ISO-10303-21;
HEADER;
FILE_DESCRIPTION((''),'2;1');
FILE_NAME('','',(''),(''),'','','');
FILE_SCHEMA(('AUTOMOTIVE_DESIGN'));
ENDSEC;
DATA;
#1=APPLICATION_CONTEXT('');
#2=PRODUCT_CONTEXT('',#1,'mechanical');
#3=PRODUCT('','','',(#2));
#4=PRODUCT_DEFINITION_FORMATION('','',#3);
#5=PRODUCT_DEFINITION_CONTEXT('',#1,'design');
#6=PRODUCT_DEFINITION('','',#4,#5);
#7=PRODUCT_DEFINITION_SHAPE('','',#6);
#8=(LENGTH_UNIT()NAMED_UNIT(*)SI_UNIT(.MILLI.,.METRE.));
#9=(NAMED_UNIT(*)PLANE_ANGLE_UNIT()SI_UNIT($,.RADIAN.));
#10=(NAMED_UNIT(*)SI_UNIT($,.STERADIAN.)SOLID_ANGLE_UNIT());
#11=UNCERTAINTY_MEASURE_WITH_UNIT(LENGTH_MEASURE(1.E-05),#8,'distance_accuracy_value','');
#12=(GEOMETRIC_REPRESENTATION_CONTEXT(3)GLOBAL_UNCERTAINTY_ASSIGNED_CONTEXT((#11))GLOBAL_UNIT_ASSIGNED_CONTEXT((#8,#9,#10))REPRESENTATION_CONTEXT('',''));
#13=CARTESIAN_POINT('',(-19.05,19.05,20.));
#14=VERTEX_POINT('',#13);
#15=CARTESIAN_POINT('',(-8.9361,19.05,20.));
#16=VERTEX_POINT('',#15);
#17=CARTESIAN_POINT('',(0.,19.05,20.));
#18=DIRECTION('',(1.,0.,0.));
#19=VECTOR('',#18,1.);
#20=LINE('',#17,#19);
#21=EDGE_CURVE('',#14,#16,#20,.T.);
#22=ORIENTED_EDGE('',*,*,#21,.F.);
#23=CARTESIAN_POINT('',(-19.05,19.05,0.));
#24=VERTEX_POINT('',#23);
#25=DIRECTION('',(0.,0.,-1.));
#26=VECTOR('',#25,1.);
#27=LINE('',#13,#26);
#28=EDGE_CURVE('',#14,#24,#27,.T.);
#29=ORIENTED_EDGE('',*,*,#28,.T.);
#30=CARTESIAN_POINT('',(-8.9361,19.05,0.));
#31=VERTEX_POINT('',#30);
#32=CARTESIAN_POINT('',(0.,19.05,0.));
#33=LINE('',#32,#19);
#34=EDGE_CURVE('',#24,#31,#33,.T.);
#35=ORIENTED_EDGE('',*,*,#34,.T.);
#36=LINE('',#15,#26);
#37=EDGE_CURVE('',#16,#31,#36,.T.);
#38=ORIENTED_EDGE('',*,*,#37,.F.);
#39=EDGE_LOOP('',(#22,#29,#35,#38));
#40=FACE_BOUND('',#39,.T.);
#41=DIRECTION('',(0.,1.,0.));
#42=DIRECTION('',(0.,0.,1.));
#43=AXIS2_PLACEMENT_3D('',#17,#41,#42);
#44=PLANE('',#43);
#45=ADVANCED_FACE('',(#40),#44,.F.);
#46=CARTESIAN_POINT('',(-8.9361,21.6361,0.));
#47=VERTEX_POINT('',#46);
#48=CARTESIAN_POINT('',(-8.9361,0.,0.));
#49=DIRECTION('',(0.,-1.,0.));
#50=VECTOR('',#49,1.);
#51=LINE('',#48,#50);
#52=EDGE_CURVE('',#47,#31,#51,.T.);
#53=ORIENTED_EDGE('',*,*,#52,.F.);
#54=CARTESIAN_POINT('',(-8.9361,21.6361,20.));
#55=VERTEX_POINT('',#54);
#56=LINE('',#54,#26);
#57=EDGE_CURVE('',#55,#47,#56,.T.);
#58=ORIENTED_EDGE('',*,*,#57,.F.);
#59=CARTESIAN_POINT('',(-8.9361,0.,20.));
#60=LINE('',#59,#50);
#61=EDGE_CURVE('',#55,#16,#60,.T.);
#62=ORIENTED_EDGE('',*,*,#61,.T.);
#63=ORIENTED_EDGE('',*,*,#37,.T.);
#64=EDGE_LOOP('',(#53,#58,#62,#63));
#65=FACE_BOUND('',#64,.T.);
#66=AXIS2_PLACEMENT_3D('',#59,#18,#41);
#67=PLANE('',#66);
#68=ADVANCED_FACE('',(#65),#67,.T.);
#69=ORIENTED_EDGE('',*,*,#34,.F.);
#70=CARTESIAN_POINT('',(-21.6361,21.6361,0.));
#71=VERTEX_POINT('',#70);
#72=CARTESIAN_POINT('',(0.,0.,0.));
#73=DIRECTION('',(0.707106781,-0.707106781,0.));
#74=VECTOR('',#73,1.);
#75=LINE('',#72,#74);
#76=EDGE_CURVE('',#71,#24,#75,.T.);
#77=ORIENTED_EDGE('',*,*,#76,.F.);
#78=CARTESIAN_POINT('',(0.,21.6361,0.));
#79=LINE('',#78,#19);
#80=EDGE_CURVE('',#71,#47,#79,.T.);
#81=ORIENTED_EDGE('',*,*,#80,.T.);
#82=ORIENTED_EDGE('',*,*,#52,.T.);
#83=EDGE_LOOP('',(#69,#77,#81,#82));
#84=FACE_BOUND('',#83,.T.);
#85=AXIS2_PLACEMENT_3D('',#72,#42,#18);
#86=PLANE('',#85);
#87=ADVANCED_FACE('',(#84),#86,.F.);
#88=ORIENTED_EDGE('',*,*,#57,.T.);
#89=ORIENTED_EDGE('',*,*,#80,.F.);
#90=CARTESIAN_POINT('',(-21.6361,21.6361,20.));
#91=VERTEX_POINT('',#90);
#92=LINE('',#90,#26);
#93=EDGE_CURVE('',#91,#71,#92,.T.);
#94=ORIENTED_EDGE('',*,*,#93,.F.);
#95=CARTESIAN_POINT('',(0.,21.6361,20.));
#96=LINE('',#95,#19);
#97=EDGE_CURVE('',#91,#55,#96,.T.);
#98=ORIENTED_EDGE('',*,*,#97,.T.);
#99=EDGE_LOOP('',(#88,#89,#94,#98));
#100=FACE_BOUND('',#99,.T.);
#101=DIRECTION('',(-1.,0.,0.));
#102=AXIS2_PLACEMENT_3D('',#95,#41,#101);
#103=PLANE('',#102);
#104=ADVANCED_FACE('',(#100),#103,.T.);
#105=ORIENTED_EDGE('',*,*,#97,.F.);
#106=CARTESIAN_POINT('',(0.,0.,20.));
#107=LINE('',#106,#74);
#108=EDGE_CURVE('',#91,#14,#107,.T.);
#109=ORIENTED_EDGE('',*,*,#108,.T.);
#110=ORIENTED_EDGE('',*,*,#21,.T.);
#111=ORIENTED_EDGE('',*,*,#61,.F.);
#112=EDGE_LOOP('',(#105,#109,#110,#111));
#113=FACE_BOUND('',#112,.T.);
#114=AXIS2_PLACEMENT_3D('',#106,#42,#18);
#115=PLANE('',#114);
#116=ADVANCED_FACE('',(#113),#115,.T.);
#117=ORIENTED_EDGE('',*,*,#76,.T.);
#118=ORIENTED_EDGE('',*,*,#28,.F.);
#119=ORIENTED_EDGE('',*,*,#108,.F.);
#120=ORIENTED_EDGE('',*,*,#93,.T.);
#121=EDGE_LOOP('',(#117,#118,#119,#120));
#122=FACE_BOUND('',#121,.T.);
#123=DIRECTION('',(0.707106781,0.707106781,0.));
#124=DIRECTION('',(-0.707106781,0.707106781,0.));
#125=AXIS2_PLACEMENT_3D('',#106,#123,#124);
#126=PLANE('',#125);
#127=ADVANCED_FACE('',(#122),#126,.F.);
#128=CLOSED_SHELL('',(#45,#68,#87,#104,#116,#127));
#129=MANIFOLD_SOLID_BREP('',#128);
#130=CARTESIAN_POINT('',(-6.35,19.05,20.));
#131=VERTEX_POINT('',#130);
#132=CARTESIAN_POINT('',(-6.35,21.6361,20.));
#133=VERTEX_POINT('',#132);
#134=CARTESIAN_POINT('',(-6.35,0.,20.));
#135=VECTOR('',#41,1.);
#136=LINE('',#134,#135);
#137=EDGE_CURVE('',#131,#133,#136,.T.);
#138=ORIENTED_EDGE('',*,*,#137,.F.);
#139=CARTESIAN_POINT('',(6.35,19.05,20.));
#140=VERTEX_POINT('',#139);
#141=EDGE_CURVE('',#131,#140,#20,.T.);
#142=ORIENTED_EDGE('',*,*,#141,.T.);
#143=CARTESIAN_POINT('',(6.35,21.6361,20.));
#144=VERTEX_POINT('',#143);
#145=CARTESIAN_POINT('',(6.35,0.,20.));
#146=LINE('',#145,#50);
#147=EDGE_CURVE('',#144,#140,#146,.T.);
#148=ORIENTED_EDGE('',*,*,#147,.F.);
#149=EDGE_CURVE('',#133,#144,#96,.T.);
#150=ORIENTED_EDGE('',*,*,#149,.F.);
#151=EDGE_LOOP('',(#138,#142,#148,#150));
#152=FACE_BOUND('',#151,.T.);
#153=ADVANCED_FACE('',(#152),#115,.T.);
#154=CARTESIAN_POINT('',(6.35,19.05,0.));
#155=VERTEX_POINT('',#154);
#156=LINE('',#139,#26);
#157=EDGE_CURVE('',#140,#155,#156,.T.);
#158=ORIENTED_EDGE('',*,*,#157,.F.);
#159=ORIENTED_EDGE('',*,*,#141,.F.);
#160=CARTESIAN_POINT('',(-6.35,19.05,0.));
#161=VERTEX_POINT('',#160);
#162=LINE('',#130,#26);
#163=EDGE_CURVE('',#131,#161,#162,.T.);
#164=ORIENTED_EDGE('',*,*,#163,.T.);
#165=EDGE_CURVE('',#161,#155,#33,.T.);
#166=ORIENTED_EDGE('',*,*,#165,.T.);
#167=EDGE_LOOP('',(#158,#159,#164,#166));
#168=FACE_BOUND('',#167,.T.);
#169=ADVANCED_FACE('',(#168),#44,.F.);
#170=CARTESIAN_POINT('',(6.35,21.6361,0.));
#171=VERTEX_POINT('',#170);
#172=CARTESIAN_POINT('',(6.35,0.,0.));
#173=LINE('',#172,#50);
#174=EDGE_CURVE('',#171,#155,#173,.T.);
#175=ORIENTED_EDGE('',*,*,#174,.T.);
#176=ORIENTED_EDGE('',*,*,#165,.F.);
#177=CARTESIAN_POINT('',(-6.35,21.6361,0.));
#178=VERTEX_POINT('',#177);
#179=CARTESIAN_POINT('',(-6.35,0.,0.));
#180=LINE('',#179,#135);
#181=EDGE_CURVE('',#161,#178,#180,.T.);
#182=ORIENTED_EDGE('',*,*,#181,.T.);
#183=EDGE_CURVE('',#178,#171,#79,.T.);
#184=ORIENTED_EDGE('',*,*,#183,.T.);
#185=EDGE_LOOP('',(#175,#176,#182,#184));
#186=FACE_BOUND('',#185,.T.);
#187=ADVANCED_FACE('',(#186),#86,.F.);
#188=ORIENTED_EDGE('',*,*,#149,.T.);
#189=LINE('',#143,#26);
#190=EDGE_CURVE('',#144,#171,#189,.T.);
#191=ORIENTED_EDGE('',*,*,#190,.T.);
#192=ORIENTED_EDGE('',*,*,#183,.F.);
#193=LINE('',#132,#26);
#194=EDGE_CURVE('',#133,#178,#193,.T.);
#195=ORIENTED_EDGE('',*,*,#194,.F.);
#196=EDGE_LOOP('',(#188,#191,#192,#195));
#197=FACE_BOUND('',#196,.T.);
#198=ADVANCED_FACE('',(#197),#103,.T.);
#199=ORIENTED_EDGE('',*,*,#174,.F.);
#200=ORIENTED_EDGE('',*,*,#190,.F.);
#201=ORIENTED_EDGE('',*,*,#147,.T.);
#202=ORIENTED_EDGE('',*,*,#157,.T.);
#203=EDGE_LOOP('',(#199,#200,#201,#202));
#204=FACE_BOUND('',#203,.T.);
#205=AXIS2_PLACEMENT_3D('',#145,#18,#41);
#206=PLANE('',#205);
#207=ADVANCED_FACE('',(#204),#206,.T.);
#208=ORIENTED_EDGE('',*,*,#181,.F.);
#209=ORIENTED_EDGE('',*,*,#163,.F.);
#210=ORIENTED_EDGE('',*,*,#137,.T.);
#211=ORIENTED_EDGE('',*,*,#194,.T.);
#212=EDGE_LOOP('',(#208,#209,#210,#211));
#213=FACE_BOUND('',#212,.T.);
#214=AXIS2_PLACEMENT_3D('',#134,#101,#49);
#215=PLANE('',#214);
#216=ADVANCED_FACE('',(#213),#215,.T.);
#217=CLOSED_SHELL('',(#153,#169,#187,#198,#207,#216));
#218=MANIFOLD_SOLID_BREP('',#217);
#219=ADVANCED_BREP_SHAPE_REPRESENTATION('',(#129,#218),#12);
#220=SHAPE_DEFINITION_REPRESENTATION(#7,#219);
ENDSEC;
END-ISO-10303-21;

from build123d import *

# Parameters (mm, degrees)
BOSS_EXTRUDE1_DEPTH   = 20
SKETCH1_W             = 12.7
SKETCH1_H             = 2.5861
BOSS_EXTRUDE1_2_DEPTH = 20


with BuildPart() as part:
    # Sketch1 → Boss-Extrude1 (new body)
    with BuildSketch(Plane.XY):
        Polygon((-8.9361, 21.6361), (-21.6361, 21.6361), (-19.05, 19.05), (-8.9361, 19.05), align=None)
    extrude(amount=BOSS_EXTRUDE1_DEPTH)


with BuildPart() as body_2:
    # Sketch1 → Boss-Extrude1 2 (new body)
    with BuildSketch(Plane.XY):
        with Locations((0, 20.34305)):
            Rectangle(SKETCH1_W, SKETCH1_H)
    extrude(amount=BOSS_EXTRUDE1_2_DEPTH)


solid = Compound([part.part, body_2.part])
